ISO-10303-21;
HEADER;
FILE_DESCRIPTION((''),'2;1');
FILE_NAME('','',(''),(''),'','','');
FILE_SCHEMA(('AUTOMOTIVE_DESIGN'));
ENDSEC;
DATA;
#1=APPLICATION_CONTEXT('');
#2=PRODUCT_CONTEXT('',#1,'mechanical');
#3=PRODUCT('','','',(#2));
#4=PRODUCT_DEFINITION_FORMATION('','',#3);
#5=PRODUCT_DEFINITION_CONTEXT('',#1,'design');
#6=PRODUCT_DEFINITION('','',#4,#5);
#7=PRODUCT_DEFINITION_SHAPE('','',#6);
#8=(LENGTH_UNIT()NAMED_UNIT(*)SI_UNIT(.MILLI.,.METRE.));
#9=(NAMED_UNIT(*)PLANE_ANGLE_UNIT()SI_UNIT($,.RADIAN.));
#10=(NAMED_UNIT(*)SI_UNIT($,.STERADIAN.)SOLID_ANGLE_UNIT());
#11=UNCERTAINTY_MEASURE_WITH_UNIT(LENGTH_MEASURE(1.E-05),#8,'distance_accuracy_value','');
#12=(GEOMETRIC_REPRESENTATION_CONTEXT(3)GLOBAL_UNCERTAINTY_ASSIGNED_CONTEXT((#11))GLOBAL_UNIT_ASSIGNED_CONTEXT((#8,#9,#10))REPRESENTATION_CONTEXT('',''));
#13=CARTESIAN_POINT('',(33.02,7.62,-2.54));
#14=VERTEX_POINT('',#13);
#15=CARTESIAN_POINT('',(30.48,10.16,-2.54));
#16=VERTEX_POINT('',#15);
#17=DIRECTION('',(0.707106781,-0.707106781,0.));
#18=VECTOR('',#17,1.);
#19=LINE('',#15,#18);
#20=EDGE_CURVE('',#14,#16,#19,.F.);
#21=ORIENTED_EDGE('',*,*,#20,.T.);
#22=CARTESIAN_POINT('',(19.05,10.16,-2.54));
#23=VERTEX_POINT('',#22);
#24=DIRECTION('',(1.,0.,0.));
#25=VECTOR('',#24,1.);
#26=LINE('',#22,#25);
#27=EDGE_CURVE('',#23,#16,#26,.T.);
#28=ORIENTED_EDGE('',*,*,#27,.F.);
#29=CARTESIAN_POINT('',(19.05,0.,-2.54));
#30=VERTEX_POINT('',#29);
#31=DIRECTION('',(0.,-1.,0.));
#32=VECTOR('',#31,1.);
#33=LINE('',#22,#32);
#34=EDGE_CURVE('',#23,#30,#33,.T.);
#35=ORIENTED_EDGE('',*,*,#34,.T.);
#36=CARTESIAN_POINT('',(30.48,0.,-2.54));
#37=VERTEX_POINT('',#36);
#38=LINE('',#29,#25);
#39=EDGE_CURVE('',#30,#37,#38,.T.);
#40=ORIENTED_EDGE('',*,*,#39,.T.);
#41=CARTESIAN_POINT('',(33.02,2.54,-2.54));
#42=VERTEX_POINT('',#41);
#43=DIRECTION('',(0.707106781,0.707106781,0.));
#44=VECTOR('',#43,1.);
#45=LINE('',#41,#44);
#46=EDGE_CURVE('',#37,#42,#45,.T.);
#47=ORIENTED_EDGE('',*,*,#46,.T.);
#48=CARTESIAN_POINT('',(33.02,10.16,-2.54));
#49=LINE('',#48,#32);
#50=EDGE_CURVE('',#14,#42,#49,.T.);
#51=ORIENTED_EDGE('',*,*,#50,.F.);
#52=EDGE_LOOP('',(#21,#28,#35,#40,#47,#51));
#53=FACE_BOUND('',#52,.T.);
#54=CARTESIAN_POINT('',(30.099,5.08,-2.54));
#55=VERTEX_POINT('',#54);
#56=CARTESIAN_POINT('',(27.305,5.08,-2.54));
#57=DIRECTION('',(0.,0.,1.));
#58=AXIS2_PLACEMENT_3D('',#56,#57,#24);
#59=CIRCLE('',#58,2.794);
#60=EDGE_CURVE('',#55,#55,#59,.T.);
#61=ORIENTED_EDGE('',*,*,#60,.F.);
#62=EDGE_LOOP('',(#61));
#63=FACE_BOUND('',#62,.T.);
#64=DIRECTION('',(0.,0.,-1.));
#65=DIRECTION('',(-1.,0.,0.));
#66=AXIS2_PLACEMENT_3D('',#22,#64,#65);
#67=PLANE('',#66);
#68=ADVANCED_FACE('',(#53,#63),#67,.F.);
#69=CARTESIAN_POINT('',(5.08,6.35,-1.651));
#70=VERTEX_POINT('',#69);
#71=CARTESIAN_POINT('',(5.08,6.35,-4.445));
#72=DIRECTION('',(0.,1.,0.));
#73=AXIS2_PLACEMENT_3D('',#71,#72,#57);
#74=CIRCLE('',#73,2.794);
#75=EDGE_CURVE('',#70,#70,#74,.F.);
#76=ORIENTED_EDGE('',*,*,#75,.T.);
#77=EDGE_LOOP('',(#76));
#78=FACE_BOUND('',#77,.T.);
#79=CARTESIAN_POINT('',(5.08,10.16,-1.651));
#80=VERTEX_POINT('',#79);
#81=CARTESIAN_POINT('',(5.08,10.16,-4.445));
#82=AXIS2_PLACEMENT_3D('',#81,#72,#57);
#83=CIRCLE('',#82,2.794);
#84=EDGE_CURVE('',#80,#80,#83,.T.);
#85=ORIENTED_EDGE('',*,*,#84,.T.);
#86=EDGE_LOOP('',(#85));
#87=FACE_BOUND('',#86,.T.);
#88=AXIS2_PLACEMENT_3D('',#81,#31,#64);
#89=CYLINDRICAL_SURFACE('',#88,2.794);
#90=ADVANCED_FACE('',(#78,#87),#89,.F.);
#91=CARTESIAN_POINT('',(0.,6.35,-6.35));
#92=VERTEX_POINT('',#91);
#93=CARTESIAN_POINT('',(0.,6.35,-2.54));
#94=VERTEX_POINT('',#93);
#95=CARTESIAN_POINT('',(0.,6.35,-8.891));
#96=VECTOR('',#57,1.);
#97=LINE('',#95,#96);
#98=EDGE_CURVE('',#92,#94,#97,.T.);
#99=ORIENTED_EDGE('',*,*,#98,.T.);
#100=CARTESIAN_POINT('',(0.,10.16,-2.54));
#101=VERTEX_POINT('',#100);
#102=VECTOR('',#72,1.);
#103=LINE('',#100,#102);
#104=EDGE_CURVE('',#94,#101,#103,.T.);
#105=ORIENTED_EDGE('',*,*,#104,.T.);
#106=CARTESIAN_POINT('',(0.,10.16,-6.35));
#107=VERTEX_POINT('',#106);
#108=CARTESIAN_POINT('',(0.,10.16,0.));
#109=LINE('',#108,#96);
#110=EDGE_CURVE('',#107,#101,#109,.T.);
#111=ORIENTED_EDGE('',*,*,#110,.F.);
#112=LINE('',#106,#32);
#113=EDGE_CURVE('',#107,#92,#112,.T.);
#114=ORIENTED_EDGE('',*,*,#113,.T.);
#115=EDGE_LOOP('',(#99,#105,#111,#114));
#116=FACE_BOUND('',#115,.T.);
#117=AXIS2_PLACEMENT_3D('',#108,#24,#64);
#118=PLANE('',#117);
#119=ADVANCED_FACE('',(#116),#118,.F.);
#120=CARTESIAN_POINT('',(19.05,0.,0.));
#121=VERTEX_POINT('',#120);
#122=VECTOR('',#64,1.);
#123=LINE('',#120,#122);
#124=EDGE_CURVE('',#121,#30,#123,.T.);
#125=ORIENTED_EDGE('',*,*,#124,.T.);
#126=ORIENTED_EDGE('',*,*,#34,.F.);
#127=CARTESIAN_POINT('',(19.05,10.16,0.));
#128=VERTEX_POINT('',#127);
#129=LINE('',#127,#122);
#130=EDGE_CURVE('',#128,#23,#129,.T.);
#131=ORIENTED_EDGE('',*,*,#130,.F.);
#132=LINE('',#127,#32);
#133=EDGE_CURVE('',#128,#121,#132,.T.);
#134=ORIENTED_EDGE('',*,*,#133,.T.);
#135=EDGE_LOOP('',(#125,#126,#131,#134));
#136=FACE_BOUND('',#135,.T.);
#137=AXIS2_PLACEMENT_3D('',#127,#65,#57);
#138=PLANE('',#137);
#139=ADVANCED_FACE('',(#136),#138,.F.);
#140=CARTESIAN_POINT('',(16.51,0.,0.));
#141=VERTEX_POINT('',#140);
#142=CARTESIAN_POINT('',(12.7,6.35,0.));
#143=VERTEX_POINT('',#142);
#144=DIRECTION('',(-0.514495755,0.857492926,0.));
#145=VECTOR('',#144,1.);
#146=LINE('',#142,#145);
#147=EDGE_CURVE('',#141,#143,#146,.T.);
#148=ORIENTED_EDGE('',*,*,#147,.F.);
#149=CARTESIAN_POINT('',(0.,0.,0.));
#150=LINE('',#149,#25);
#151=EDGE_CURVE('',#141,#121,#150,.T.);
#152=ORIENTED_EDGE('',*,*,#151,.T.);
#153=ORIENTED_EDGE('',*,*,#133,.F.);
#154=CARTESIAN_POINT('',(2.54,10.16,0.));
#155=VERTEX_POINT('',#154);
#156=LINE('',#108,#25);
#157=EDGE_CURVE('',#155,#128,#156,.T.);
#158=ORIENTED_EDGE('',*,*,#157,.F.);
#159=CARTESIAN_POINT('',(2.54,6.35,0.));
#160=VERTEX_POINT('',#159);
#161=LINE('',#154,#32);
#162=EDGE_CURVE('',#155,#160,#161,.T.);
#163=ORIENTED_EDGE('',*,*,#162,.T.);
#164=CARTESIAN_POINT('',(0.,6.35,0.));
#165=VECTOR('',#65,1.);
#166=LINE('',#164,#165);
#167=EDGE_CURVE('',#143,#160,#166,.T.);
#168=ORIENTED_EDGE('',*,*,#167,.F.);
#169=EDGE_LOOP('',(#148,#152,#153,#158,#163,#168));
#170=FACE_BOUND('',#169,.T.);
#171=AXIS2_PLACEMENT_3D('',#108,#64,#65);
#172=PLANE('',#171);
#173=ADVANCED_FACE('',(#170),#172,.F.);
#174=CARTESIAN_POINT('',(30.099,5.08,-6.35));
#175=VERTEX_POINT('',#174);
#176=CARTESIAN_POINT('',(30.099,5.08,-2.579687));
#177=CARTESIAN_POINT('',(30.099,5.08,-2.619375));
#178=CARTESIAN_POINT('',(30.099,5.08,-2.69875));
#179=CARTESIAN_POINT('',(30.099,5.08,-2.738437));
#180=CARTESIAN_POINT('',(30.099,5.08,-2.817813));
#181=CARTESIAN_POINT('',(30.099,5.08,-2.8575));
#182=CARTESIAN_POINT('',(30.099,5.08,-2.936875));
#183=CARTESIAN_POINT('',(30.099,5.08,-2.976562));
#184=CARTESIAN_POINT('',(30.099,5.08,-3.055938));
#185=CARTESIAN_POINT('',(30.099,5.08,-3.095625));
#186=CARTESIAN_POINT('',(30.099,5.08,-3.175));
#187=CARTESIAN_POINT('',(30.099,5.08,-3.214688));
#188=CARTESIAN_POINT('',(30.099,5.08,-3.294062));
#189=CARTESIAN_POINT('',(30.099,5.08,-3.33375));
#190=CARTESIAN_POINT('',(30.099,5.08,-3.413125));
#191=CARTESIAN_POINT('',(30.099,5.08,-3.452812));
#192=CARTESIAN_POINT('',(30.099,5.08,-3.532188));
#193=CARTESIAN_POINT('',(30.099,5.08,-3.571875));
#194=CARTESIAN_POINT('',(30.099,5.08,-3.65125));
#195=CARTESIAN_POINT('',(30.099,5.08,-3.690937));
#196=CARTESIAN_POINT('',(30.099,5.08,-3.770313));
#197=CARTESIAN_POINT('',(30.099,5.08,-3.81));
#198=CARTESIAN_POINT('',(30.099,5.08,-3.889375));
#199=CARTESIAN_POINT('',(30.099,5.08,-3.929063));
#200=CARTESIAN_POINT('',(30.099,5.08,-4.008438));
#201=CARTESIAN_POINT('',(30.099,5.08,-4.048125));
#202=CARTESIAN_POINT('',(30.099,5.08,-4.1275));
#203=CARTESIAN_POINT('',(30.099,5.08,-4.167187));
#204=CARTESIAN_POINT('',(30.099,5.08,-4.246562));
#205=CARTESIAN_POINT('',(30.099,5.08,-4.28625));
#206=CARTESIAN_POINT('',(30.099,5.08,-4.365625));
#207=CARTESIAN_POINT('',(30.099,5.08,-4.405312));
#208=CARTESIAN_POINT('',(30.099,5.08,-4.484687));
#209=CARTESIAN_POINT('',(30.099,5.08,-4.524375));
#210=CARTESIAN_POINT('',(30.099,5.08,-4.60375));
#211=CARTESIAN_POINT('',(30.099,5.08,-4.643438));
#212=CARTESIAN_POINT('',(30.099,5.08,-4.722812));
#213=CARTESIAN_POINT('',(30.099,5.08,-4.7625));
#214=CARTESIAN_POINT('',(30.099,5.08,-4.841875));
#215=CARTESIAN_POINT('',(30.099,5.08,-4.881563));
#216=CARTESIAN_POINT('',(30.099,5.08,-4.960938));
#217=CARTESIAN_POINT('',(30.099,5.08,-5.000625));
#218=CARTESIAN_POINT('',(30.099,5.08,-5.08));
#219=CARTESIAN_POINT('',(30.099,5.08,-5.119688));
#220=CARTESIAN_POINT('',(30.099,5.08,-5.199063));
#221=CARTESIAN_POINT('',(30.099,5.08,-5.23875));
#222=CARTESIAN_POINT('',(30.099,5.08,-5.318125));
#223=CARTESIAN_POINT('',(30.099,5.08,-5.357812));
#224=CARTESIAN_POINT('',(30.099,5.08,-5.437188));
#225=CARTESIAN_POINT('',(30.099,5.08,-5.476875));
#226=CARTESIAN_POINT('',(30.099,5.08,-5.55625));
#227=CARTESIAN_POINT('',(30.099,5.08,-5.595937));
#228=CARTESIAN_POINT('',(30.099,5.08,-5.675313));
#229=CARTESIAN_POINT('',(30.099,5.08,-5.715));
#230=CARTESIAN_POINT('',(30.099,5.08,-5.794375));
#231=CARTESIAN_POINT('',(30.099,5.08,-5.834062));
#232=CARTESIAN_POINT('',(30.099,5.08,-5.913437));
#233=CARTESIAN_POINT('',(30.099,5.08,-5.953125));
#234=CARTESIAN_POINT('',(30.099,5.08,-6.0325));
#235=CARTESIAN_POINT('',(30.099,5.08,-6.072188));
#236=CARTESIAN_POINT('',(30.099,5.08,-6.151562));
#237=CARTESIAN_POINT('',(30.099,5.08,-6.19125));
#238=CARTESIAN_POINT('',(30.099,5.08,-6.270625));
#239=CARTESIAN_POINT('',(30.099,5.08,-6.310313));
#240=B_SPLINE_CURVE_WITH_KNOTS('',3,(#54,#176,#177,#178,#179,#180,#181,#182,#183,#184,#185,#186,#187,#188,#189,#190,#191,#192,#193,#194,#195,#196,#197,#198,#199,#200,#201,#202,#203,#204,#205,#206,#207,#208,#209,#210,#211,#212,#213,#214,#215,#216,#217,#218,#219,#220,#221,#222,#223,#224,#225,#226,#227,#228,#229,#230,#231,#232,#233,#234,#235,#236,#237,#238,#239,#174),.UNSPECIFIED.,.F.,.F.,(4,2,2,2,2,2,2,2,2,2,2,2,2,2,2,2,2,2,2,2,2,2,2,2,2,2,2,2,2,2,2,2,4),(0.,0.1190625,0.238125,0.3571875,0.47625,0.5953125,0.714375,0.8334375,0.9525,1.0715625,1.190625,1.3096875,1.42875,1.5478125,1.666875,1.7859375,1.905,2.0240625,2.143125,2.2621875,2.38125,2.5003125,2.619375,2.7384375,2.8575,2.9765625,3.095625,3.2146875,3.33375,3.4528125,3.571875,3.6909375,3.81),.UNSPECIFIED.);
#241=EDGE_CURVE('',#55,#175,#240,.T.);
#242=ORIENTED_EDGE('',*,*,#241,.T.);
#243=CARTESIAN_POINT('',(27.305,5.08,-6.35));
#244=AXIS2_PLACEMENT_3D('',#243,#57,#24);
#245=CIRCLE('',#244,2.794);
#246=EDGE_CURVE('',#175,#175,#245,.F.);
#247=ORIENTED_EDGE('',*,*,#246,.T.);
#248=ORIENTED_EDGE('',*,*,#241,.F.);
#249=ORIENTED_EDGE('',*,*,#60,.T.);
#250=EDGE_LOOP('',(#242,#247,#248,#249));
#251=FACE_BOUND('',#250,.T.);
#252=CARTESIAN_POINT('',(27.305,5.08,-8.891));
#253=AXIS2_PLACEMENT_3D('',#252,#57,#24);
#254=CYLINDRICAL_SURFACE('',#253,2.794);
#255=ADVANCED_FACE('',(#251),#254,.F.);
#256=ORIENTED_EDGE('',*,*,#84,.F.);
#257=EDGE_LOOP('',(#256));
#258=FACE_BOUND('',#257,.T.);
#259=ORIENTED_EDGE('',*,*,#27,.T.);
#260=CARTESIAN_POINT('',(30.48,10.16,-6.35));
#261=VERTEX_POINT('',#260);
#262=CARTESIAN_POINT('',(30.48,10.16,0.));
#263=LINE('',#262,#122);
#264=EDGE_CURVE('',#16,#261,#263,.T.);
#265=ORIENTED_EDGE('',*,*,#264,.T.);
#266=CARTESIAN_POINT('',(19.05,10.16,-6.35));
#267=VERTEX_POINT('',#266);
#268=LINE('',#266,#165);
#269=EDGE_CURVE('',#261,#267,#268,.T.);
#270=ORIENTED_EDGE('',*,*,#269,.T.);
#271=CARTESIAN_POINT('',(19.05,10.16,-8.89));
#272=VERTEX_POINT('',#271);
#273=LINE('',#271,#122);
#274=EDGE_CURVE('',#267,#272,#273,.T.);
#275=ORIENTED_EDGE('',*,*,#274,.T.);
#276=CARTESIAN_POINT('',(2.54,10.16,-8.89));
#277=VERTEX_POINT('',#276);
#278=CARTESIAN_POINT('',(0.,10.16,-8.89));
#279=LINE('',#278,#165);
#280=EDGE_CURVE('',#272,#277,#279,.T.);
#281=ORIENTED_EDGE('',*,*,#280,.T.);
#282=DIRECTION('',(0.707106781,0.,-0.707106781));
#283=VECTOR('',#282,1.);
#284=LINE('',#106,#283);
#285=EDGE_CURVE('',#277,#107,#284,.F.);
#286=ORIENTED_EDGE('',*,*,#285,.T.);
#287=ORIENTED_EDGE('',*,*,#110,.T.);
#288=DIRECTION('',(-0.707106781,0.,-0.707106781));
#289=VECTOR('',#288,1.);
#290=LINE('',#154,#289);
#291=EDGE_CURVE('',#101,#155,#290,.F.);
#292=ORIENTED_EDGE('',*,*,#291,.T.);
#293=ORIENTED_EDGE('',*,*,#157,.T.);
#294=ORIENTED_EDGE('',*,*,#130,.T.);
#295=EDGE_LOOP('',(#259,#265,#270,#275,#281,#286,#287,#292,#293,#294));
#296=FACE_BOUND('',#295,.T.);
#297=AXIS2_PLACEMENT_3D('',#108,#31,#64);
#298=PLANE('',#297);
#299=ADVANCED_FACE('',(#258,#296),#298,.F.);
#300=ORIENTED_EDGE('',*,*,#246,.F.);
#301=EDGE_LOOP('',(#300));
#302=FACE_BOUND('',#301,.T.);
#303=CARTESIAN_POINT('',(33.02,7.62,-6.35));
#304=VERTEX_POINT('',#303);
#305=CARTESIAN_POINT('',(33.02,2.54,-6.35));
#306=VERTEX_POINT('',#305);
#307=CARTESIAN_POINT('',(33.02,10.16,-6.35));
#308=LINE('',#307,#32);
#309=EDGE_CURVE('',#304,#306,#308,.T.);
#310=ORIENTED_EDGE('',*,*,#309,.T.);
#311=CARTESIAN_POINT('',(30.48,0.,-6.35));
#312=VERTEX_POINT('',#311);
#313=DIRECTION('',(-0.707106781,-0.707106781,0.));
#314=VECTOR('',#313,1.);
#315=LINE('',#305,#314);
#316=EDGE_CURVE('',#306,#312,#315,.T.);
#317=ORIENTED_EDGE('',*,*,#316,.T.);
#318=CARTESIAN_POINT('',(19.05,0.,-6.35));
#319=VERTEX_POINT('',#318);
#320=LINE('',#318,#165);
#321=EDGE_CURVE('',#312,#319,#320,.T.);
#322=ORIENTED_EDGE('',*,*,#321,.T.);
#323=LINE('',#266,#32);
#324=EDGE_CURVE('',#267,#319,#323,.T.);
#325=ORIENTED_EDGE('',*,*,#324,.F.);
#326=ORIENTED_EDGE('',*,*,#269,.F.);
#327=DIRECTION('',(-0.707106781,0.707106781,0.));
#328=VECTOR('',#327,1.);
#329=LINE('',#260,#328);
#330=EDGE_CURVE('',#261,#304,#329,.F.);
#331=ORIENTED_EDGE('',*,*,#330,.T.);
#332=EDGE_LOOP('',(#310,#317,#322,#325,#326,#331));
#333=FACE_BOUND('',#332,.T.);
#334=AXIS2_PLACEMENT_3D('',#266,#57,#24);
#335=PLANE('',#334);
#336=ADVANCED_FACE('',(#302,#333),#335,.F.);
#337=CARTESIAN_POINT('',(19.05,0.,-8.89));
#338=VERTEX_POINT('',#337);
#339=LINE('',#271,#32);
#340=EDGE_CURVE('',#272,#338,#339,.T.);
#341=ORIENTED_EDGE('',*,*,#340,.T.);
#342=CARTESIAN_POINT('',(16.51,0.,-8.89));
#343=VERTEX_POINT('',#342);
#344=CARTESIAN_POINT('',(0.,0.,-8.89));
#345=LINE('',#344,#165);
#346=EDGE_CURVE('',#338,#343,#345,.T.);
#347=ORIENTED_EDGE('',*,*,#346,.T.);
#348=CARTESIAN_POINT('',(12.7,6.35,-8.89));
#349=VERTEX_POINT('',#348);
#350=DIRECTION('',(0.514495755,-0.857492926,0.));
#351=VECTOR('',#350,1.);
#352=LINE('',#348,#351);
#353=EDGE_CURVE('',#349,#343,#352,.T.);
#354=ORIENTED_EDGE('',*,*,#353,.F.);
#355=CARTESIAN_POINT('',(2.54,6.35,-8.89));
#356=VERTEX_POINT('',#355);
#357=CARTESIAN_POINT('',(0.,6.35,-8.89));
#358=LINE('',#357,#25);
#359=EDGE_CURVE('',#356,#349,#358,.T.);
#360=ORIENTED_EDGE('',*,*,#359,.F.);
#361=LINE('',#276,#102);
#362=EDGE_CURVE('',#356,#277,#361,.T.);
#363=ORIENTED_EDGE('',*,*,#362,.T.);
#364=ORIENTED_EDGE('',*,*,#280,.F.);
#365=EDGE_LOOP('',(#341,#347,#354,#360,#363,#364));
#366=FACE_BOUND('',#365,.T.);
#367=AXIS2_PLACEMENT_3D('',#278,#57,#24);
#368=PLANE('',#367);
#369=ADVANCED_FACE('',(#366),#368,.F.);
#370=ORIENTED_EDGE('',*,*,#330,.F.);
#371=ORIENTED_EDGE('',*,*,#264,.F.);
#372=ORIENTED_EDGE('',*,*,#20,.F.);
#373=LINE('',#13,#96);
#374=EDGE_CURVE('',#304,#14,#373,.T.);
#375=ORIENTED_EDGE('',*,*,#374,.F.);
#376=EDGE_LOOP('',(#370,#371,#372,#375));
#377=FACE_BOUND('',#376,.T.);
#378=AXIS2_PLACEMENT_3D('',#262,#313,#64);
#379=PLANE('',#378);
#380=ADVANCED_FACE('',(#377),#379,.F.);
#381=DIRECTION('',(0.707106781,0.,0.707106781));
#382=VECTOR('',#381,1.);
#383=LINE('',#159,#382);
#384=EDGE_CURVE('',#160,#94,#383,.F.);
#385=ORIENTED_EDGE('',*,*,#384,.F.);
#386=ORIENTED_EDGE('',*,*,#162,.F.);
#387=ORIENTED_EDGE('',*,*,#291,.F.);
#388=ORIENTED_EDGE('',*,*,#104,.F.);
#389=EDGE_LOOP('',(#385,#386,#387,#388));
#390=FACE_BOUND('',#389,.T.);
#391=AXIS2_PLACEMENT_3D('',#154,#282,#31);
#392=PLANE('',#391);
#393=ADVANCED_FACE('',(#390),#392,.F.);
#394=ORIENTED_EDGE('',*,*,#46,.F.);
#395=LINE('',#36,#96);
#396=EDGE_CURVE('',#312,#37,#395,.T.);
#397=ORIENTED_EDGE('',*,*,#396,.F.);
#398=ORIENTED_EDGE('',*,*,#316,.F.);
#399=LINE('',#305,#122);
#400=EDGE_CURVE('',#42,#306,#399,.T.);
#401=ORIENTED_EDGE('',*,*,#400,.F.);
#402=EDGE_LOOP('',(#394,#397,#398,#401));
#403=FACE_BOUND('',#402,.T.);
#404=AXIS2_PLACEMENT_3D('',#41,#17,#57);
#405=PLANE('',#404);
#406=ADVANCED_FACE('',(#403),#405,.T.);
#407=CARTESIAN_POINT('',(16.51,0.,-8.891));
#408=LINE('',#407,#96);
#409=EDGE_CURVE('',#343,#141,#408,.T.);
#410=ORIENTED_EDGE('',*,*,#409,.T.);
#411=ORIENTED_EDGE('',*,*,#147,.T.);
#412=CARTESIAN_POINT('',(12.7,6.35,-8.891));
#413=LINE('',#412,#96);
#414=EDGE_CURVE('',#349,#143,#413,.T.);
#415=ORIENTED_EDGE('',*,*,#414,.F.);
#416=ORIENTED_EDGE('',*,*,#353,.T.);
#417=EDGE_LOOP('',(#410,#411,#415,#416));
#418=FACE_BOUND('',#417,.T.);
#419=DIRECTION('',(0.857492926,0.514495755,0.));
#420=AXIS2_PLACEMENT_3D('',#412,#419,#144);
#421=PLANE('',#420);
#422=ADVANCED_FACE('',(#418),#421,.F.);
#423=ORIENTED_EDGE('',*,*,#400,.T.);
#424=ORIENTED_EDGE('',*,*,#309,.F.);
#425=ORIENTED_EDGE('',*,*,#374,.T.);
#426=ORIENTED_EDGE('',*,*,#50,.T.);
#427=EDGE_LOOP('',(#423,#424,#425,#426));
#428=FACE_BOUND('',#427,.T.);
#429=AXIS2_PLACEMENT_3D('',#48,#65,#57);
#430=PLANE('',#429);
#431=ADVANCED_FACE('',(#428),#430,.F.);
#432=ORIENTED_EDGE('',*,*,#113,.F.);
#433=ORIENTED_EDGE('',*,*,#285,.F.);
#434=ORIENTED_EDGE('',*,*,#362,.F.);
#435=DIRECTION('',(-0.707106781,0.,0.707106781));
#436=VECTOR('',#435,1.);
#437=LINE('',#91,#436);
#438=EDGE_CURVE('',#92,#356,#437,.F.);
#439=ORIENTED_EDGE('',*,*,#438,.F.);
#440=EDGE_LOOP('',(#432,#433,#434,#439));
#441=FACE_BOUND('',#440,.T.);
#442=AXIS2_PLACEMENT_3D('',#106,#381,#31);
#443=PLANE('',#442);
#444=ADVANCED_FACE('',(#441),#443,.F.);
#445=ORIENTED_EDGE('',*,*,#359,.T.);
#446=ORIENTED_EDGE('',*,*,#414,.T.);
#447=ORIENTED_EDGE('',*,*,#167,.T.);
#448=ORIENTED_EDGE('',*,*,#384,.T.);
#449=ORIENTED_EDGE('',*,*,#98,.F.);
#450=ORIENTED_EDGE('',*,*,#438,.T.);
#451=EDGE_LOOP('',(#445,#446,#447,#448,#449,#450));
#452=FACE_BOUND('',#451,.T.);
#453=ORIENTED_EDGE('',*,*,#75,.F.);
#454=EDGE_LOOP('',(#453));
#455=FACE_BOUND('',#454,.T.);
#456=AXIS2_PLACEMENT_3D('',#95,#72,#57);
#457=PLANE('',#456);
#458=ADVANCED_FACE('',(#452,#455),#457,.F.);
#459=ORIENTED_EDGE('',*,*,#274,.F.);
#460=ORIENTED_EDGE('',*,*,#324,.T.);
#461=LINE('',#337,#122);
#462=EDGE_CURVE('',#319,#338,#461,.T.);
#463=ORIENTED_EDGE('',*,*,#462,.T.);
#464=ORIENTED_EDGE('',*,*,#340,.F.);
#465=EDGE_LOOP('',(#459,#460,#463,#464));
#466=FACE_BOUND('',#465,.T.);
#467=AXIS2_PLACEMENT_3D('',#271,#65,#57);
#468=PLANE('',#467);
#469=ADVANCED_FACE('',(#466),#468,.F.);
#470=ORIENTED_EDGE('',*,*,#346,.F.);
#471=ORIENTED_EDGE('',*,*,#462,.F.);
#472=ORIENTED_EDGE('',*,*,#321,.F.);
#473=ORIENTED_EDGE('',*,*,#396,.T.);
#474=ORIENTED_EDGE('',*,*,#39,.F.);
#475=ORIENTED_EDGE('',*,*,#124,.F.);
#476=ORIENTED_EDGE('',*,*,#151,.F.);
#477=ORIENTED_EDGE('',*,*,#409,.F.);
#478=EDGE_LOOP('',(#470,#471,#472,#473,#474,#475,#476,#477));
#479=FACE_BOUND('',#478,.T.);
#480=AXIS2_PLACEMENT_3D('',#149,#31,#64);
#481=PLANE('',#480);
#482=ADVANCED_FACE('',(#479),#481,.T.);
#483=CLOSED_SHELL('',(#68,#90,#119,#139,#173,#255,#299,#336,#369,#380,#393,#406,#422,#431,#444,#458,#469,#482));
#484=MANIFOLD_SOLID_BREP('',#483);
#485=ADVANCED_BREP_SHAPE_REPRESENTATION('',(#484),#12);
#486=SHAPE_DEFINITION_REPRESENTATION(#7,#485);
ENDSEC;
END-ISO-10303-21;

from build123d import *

# Parameters (mm, degrees)
SKETCH1_R            = 2.794
BASE_DEPTH           = 10.16
LATCH_HOLE_REACH     = 37.126
SKETCH2_R            = 2.794
SERVO_ARM_HOLE_REACH = 37.673
CHAMFER1_SIZE        = 2.54


with BuildPart() as part:
    # Sketch1 → base (new body)
    with BuildSketch(Plane(origin=(0, 0, 0), x_dir=(1, 0, 0), z_dir=(0, 1, 0))):
        Polygon((0, 0), (19.05, 0), (19.05, 2.54), (33.02, 2.54), (33.02, 6.35), (19.05, 6.35), (19.05, 8.89), (0, 8.89), align=None)
        with Locations(Location((5.08, 4.445, 0), (0, 0, 270))):
            Circle(SKETCH1_R, mode=Mode.SUBTRACT)
    extrude(amount=BASE_DEPTH)

    # Sketch2 → latch_hole (cut, up to next)
    with BuildSketch(Plane.XY.offset(-2.54), mode=Mode.PRIVATE) as latch_hole_sk1:
        with Locations((27.305, 5.08)):
            Circle(SKETCH2_R)
    latch_hole_tool1 = extrude(latch_hole_sk1.sketch, amount=-LATCH_HOLE_REACH, mode=Mode.PRIVATE) & part.part
    add(latch_hole_tool1.solids().sort_by_distance((27.305, 5.08, -2.54))[0], mode=Mode.SUBTRACT)

    # Sketch4 → servo_arm_hole (cut, up to next)
    with BuildSketch(Plane.XY, mode=Mode.PRIVATE) as servo_arm_hole_sk1:
        Polygon((0, 6.35), (12.7, 6.35), (16.51, 0), (0, 0), align=None)
    servo_arm_hole_tool1 = extrude(servo_arm_hole_sk1.sketch, amount=-SERVO_ARM_HOLE_REACH, mode=Mode.PRIVATE) & part.part
    add(servo_arm_hole_tool1.solids().sort_by_distance((7.343913, 3.036957, 0))[0], mode=Mode.SUBTRACT)

    # Chamfer1
    chamfer1_edges = [part.edges().sort_by_distance(p)[0] for p in [
        (0, 8.255, -8.89),
        (0, 8.255, 0),
        (33.02, 10.16, -4.445),
        (33.02, 0, -4.445),
    ]]
    chamfer(chamfer1_edges, length=CHAMFER1_SIZE)


solid = part.part
